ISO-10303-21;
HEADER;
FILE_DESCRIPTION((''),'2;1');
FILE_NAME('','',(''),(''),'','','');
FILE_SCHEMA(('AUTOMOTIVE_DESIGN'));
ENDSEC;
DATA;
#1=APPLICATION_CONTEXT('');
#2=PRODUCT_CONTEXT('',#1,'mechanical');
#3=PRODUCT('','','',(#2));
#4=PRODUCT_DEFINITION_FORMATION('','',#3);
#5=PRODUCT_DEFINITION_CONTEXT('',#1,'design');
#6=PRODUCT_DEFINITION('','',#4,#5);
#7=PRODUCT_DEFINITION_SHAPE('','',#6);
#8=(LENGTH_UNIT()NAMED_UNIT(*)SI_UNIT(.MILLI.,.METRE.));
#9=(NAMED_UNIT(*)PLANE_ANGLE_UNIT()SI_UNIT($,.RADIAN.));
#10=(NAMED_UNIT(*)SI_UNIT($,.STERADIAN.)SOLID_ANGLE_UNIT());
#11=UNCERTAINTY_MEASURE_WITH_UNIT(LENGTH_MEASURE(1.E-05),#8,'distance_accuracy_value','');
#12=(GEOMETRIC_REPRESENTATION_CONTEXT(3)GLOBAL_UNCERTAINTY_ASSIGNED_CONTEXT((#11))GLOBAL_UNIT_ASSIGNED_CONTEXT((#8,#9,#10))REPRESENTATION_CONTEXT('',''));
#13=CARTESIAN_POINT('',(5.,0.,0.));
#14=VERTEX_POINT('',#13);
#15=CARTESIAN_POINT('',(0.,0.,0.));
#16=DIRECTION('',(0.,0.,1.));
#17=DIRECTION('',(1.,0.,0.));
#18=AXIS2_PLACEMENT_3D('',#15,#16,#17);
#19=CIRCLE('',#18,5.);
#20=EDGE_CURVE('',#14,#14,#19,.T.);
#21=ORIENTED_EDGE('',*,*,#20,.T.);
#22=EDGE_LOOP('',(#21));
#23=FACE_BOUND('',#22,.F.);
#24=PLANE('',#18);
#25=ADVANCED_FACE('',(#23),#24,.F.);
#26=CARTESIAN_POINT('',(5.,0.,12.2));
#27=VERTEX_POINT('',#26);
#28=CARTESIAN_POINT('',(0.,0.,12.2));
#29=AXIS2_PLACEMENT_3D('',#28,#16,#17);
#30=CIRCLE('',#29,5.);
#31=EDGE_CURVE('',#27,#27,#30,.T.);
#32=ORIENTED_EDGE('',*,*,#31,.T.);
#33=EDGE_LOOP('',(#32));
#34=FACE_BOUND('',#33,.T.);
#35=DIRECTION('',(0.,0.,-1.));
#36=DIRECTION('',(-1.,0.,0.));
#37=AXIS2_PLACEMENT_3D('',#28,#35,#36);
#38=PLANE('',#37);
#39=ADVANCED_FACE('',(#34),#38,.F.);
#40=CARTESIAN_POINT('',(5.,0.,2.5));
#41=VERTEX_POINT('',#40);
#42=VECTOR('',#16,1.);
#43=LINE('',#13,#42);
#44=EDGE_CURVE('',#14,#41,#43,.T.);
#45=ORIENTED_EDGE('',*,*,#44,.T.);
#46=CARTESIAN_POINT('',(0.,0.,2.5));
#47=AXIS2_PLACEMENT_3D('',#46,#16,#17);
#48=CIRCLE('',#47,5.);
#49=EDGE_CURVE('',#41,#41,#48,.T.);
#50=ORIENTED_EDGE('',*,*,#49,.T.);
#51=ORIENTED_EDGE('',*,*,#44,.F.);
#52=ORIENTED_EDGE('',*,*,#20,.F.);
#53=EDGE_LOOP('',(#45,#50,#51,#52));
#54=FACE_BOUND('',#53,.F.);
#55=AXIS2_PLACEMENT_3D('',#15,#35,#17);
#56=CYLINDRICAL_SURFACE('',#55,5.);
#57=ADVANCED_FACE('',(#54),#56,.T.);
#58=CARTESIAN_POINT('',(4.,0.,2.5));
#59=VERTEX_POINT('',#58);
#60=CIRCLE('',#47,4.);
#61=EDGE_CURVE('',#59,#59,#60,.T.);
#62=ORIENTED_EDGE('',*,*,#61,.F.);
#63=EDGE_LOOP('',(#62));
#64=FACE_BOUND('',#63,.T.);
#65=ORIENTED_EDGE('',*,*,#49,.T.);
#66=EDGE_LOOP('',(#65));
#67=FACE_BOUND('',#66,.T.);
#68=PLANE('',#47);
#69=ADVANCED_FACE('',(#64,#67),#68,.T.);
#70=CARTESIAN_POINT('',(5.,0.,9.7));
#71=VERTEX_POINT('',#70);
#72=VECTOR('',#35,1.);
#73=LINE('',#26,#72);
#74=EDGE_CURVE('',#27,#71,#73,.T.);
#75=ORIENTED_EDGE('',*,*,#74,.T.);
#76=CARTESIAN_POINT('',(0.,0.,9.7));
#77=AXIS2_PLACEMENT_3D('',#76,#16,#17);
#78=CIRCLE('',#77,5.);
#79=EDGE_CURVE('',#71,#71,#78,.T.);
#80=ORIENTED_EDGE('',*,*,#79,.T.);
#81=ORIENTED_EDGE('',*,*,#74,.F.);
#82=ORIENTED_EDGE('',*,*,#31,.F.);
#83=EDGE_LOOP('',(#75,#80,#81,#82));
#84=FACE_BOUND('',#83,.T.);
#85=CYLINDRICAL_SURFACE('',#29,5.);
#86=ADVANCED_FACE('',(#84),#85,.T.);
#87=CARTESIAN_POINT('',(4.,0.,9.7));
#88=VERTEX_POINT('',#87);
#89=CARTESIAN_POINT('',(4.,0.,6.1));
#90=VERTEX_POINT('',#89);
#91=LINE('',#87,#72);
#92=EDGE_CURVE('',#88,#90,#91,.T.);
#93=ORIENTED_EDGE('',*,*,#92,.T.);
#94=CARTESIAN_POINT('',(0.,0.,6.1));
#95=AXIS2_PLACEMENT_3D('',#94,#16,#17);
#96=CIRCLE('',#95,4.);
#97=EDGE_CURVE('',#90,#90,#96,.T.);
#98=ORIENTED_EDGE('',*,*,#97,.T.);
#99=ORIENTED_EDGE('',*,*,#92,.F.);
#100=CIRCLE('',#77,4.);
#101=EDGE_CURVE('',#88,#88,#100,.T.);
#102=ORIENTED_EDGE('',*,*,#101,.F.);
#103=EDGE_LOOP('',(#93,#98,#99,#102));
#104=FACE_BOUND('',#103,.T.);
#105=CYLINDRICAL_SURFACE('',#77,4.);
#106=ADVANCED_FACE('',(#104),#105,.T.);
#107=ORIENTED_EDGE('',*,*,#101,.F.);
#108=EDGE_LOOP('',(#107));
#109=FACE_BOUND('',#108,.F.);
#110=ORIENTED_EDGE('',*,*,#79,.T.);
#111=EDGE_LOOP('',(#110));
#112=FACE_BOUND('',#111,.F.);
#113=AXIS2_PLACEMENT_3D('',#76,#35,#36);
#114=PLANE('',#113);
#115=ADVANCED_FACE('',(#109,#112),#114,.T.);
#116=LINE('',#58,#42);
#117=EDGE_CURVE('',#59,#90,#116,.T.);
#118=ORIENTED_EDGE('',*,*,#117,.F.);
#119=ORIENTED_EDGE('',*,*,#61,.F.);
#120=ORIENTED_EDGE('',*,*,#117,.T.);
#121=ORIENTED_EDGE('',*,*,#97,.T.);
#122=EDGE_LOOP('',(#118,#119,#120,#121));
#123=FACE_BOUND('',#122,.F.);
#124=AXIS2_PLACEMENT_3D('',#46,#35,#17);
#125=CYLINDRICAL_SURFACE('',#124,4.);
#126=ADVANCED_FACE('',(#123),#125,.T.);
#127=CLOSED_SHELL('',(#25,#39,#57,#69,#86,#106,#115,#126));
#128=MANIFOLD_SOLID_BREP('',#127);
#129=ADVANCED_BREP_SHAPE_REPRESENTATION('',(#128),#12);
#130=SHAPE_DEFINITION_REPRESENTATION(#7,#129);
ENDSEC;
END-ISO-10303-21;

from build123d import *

# Parameters (mm, degrees)
F0_R     = 5
F1_DEPTH = 2.5
F2_R     = 4
F3_DEPTH = 3.6


with BuildPart() as f1:
    # F0 (on Top) → F1 (new body)
    with BuildSketch(Plane.XY):
        Circle(F0_R)
    extrude(amount=F1_DEPTH)

    # F2 (on face) → F3 (join)
    with BuildSketch(Plane.XY.offset(2.5)):
        Circle(F2_R)
    extrude(amount=F3_DEPTH)

    # F5: F1 across plane


with BuildPart() as f1_1:
    add(f1.part)
    add(f1.part.mirror(Plane.XY.offset(6.1)))


solid = f1_1.part
